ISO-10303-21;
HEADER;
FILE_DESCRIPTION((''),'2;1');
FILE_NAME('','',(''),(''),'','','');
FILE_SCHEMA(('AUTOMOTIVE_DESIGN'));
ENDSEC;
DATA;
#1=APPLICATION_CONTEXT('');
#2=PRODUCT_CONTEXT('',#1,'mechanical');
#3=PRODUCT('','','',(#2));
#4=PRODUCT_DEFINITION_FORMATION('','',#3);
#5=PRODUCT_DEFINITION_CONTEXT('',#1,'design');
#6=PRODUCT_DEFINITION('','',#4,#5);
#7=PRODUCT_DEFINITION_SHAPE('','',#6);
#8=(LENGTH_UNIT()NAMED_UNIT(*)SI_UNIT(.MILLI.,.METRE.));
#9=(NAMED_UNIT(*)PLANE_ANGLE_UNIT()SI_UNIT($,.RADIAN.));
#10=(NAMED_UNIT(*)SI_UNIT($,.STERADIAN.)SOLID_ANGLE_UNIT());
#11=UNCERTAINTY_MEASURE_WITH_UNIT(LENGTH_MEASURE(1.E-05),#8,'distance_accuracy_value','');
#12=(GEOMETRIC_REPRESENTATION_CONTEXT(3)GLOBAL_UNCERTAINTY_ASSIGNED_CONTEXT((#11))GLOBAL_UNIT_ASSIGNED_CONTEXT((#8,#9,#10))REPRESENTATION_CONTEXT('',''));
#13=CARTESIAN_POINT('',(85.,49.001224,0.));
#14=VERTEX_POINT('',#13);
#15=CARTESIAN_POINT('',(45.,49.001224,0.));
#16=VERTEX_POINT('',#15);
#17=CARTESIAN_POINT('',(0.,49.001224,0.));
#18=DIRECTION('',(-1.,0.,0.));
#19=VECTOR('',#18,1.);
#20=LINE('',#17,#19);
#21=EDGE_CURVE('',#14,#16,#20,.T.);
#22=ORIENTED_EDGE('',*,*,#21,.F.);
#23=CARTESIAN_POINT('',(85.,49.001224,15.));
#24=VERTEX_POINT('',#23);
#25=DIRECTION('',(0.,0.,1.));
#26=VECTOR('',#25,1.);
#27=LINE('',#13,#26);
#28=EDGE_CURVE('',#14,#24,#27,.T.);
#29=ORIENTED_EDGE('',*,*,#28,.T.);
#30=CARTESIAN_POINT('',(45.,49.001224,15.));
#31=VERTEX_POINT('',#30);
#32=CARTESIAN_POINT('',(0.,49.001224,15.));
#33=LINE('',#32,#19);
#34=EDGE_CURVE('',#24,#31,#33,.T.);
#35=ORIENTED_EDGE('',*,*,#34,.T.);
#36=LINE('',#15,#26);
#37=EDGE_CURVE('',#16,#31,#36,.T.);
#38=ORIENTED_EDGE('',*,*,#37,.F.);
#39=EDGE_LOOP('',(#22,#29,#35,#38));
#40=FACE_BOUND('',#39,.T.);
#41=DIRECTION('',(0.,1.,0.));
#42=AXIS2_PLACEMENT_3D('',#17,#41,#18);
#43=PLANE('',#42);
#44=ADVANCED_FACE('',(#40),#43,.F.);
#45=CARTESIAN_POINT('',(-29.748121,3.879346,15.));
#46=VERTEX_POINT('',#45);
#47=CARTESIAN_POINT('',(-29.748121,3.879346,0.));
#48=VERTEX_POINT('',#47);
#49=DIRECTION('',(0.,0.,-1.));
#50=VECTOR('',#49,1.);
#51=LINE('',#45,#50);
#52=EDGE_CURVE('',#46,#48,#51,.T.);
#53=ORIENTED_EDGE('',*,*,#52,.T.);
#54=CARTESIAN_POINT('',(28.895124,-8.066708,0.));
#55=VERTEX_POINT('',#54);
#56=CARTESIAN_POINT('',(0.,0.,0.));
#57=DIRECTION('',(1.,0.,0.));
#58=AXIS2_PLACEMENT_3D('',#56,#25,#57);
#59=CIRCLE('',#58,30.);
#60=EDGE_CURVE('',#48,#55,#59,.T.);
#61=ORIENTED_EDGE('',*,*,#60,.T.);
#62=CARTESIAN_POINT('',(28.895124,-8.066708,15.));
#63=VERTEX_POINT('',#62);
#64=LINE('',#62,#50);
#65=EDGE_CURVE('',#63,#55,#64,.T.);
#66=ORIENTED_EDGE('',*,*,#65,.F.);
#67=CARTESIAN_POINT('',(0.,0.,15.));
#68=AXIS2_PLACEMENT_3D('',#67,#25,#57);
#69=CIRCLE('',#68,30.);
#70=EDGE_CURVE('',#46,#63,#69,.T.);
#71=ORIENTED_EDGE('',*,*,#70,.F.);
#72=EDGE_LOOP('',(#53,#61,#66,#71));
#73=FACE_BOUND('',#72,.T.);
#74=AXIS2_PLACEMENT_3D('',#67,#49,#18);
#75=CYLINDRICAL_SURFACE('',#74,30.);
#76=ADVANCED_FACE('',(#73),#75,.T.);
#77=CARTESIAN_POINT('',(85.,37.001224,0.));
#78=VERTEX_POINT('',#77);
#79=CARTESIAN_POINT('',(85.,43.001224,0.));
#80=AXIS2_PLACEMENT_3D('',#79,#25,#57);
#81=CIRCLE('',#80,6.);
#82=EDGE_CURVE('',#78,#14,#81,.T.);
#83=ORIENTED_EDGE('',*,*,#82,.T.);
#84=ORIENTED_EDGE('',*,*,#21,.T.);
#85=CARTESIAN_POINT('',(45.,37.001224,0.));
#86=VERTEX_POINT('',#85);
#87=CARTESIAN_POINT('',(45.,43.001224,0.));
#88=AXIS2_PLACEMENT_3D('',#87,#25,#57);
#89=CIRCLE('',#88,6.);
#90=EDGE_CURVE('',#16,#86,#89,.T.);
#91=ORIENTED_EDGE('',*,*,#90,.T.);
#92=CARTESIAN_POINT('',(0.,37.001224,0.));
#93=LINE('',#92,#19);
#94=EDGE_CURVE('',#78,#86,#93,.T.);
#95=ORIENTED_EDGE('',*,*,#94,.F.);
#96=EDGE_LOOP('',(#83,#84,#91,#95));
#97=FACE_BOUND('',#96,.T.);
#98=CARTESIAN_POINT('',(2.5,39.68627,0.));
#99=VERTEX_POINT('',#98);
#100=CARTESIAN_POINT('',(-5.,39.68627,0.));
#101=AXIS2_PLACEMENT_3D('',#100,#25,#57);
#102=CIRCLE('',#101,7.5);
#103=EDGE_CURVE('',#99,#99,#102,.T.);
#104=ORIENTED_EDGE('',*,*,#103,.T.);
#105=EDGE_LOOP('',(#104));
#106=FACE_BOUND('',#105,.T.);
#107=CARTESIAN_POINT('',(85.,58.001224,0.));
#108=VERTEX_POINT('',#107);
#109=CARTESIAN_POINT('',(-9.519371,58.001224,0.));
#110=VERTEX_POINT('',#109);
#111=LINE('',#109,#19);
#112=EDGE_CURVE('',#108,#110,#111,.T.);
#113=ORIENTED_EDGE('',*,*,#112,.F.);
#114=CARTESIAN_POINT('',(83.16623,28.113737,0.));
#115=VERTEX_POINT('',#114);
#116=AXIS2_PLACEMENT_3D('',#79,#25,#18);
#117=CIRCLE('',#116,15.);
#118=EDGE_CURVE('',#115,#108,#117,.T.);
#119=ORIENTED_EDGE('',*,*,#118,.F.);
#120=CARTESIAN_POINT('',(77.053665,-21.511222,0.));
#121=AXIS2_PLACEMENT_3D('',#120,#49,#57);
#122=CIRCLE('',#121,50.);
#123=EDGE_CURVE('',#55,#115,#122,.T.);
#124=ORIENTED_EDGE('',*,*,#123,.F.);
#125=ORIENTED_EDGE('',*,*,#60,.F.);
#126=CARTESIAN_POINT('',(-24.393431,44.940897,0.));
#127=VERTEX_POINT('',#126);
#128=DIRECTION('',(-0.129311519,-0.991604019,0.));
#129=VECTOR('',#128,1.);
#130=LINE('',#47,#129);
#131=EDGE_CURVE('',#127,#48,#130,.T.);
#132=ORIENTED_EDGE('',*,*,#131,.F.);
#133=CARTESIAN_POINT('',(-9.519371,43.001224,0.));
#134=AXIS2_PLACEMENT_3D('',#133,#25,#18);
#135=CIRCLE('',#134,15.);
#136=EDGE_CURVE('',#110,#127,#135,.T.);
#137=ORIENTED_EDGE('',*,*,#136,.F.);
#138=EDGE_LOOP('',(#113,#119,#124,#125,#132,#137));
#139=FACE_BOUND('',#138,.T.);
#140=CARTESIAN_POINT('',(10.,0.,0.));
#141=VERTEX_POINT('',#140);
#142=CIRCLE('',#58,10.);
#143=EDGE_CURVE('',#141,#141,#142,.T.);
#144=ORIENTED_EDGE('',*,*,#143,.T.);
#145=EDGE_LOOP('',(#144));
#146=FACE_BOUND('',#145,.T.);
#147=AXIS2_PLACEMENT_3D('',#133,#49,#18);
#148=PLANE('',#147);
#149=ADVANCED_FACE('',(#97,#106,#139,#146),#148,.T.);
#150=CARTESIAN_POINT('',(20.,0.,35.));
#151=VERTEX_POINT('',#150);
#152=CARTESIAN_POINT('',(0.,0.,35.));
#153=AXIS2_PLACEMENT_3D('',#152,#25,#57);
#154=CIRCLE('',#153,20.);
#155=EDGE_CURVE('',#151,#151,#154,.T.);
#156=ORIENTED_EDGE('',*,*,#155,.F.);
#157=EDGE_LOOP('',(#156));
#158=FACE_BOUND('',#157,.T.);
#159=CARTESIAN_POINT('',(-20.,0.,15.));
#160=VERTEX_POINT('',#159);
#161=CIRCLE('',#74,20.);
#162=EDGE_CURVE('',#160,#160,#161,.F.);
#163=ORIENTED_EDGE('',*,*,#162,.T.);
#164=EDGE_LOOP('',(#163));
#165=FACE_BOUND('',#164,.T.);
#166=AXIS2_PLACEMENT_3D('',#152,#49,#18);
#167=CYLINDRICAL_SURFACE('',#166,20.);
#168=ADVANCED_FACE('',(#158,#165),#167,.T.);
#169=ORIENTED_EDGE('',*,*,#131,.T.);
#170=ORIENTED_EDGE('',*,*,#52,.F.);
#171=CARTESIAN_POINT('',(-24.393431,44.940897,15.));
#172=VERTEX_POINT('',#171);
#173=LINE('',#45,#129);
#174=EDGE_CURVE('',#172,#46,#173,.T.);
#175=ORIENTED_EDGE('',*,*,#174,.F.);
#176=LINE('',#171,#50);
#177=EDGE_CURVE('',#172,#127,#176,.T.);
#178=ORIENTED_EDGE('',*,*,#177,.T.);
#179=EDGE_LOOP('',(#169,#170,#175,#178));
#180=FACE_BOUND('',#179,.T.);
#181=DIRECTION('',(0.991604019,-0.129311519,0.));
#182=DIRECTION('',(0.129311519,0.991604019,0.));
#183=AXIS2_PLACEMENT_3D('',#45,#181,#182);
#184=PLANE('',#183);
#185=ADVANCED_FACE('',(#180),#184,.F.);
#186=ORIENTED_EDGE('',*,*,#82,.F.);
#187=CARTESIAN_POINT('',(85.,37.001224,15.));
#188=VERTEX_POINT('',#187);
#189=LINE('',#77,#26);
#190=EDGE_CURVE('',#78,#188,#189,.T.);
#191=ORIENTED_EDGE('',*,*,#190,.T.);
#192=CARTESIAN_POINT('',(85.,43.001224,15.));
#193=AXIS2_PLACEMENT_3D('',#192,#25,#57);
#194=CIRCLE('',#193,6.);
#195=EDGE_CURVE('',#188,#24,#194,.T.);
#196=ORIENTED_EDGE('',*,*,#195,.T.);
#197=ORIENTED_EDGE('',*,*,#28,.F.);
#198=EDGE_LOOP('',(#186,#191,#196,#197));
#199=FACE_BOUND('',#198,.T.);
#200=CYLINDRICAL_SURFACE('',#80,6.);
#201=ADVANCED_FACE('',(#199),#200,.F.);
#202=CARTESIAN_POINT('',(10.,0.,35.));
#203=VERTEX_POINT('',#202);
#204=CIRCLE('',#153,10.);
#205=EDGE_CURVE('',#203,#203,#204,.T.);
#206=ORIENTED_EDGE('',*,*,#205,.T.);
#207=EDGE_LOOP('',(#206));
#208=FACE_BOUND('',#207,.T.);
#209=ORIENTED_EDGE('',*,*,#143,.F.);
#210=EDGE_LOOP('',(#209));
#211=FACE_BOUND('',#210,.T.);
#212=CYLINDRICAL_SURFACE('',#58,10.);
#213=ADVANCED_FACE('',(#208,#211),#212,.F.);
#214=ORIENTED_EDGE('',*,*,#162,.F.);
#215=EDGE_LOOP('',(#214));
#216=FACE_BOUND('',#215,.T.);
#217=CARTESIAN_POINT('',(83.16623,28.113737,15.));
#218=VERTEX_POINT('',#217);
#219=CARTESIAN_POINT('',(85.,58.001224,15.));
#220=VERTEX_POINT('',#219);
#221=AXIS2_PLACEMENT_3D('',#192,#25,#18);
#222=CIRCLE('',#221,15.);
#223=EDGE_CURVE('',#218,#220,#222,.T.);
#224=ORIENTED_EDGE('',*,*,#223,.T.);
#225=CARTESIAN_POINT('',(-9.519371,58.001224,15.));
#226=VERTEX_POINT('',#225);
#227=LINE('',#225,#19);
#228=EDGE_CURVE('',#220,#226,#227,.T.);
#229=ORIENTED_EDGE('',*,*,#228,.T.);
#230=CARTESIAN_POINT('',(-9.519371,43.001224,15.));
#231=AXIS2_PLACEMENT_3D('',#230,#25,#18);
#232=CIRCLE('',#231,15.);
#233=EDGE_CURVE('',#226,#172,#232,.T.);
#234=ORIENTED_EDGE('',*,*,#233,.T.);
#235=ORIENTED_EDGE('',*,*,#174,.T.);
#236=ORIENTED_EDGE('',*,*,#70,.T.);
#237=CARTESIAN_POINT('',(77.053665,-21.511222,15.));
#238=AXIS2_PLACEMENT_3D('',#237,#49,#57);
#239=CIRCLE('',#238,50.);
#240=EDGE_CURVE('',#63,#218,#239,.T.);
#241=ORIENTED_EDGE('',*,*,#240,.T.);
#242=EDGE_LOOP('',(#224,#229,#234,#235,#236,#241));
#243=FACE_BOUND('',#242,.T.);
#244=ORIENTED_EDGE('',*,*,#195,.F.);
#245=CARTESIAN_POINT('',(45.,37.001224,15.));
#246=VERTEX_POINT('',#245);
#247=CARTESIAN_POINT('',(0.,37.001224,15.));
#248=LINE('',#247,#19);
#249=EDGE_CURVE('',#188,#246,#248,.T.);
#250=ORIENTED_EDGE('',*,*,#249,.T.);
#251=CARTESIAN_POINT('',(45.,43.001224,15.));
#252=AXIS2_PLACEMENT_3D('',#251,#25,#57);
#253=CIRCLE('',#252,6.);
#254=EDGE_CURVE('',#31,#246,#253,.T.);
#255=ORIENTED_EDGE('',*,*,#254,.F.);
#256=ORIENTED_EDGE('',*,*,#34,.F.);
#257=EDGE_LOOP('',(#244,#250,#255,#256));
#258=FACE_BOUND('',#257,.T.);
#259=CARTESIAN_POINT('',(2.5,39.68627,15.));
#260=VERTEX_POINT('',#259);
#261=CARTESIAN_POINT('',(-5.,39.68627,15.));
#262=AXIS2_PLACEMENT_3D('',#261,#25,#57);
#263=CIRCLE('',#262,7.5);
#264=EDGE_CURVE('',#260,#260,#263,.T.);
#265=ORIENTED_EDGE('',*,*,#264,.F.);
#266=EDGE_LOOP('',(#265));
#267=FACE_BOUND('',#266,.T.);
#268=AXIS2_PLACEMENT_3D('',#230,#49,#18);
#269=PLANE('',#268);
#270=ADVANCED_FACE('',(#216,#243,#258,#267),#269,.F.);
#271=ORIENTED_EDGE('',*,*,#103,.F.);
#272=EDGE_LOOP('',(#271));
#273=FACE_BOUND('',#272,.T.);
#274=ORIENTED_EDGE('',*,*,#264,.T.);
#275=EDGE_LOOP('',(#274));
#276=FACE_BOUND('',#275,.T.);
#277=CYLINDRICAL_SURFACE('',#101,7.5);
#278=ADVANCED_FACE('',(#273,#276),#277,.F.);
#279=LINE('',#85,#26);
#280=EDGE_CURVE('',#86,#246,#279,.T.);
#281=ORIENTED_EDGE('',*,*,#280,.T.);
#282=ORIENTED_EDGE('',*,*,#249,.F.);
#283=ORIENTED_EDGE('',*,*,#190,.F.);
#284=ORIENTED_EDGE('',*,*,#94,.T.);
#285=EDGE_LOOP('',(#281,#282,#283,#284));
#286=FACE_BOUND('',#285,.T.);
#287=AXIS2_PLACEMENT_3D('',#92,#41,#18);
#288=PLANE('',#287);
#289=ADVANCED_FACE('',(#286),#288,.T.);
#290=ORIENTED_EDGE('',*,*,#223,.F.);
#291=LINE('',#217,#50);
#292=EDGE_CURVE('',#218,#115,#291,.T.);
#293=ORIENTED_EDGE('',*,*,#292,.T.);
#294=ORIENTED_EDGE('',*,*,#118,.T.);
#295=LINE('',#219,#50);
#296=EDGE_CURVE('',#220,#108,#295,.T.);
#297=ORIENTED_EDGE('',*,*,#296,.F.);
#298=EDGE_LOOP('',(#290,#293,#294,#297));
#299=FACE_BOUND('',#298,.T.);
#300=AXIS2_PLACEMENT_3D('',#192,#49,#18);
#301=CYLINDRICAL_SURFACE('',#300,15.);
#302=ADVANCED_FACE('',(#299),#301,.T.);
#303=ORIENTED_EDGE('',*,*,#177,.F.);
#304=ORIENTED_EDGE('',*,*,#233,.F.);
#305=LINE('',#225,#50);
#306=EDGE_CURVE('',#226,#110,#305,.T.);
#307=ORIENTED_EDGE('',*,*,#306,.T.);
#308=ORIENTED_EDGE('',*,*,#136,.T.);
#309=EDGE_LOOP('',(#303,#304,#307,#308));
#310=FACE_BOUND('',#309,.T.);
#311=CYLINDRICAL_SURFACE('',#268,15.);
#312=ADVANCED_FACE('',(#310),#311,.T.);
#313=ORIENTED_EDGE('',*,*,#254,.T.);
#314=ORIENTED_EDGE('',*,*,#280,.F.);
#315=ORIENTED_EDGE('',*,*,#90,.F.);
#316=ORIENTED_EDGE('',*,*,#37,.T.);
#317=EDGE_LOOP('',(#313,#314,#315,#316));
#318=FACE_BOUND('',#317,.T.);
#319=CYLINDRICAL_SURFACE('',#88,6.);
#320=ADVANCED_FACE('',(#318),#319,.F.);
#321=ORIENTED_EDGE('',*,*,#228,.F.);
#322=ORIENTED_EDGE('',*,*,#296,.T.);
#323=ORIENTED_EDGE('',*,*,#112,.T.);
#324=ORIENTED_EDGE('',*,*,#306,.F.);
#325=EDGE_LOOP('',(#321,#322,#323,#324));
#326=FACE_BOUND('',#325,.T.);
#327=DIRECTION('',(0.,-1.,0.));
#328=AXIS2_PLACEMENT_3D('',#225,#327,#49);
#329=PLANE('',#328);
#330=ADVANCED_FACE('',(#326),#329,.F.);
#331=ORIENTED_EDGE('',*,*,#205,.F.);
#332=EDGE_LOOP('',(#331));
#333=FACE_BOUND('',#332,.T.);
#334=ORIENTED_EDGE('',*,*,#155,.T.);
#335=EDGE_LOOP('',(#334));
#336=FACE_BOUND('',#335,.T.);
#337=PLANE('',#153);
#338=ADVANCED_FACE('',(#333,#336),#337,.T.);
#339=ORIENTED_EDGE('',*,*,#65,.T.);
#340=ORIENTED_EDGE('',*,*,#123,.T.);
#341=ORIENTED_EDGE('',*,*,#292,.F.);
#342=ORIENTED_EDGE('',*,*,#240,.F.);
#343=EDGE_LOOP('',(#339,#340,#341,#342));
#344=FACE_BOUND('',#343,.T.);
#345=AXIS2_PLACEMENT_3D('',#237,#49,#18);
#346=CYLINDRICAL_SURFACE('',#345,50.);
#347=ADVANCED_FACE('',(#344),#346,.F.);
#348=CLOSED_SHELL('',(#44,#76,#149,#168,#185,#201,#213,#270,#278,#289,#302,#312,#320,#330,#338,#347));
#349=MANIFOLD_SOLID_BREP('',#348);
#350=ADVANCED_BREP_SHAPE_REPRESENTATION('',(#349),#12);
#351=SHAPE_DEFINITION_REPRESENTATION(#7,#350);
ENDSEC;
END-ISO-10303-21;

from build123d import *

# Parameters (mm, degrees)
BOSS_EXTRUDE1_DEPTH = 15
SKETCH2_R           = 7.5
CUT_EXTRUDE1_DEPTH  = 15
SKETCH3_R           = 20
BOSS_EXTRUDE2_DEPTH = 20
SKETCH4_R           = 10
CUT_EXTRUDE2_DEPTH  = 35


with BuildPart() as part:
    # Sketch1 → Boss-Extrude1 (new body)
    with BuildSketch(Plane.XY):
        with BuildLine():
            Line((-29.748120578, 3.87934557), (-24.393431116, 44.940897042))
            ThreePointArc((-24.393431116, 44.940897042), (-19.416464042, 54.272761237), (-9.519370827, 58.001224257))
            Line((-9.519370827, 58.001224257), (85, 58.001224257))
            ThreePointArc((85, 58.001224257), (99.971845495, 42.082615269), (83.166230421, 28.113736587))
            ThreePointArc((83.166230421, 28.113736587), (49.31881051, 20.091395843), (28.895124435, -8.066708368))
            ThreePointArc((28.895124435, -8.066708368), (-5.988234446, -29.396276095), (-29.748120578, 3.87934557))
        make_face()
    extrude(amount=BOSS_EXTRUDE1_DEPTH)

    # Sketch2 → Cut-Extrude1 (cut)
    with BuildSketch(Plane.XY.offset(15)):
        with BuildLine():
            Line((45, 37.001224257), (85, 37.001224257))
            ThreePointArc((85, 37.001224257), (91, 43.001224257), (85, 49.001224257))
            Line((85, 49.001224257), (45, 49.001224257))
            ThreePointArc((45, 49.001224257), (39, 43.001224257), (45, 37.001224257))
        make_face()
        with Locations((-5, 39.686269666)):
            Circle(SKETCH2_R)
    extrude(amount=-CUT_EXTRUDE1_DEPTH, mode=Mode.SUBTRACT)

    # Sketch3 → Boss-Extrude2 (add)
    with BuildSketch(Plane.XY.offset(15)):
        Circle(SKETCH3_R)
    extrude(amount=BOSS_EXTRUDE2_DEPTH)

    # Sketch4 → Cut-Extrude2 (cut)
    with BuildSketch(Plane.XY.offset(35)):
        Circle(SKETCH4_R)
    extrude(amount=-CUT_EXTRUDE2_DEPTH, mode=Mode.SUBTRACT)


solid = part.part
